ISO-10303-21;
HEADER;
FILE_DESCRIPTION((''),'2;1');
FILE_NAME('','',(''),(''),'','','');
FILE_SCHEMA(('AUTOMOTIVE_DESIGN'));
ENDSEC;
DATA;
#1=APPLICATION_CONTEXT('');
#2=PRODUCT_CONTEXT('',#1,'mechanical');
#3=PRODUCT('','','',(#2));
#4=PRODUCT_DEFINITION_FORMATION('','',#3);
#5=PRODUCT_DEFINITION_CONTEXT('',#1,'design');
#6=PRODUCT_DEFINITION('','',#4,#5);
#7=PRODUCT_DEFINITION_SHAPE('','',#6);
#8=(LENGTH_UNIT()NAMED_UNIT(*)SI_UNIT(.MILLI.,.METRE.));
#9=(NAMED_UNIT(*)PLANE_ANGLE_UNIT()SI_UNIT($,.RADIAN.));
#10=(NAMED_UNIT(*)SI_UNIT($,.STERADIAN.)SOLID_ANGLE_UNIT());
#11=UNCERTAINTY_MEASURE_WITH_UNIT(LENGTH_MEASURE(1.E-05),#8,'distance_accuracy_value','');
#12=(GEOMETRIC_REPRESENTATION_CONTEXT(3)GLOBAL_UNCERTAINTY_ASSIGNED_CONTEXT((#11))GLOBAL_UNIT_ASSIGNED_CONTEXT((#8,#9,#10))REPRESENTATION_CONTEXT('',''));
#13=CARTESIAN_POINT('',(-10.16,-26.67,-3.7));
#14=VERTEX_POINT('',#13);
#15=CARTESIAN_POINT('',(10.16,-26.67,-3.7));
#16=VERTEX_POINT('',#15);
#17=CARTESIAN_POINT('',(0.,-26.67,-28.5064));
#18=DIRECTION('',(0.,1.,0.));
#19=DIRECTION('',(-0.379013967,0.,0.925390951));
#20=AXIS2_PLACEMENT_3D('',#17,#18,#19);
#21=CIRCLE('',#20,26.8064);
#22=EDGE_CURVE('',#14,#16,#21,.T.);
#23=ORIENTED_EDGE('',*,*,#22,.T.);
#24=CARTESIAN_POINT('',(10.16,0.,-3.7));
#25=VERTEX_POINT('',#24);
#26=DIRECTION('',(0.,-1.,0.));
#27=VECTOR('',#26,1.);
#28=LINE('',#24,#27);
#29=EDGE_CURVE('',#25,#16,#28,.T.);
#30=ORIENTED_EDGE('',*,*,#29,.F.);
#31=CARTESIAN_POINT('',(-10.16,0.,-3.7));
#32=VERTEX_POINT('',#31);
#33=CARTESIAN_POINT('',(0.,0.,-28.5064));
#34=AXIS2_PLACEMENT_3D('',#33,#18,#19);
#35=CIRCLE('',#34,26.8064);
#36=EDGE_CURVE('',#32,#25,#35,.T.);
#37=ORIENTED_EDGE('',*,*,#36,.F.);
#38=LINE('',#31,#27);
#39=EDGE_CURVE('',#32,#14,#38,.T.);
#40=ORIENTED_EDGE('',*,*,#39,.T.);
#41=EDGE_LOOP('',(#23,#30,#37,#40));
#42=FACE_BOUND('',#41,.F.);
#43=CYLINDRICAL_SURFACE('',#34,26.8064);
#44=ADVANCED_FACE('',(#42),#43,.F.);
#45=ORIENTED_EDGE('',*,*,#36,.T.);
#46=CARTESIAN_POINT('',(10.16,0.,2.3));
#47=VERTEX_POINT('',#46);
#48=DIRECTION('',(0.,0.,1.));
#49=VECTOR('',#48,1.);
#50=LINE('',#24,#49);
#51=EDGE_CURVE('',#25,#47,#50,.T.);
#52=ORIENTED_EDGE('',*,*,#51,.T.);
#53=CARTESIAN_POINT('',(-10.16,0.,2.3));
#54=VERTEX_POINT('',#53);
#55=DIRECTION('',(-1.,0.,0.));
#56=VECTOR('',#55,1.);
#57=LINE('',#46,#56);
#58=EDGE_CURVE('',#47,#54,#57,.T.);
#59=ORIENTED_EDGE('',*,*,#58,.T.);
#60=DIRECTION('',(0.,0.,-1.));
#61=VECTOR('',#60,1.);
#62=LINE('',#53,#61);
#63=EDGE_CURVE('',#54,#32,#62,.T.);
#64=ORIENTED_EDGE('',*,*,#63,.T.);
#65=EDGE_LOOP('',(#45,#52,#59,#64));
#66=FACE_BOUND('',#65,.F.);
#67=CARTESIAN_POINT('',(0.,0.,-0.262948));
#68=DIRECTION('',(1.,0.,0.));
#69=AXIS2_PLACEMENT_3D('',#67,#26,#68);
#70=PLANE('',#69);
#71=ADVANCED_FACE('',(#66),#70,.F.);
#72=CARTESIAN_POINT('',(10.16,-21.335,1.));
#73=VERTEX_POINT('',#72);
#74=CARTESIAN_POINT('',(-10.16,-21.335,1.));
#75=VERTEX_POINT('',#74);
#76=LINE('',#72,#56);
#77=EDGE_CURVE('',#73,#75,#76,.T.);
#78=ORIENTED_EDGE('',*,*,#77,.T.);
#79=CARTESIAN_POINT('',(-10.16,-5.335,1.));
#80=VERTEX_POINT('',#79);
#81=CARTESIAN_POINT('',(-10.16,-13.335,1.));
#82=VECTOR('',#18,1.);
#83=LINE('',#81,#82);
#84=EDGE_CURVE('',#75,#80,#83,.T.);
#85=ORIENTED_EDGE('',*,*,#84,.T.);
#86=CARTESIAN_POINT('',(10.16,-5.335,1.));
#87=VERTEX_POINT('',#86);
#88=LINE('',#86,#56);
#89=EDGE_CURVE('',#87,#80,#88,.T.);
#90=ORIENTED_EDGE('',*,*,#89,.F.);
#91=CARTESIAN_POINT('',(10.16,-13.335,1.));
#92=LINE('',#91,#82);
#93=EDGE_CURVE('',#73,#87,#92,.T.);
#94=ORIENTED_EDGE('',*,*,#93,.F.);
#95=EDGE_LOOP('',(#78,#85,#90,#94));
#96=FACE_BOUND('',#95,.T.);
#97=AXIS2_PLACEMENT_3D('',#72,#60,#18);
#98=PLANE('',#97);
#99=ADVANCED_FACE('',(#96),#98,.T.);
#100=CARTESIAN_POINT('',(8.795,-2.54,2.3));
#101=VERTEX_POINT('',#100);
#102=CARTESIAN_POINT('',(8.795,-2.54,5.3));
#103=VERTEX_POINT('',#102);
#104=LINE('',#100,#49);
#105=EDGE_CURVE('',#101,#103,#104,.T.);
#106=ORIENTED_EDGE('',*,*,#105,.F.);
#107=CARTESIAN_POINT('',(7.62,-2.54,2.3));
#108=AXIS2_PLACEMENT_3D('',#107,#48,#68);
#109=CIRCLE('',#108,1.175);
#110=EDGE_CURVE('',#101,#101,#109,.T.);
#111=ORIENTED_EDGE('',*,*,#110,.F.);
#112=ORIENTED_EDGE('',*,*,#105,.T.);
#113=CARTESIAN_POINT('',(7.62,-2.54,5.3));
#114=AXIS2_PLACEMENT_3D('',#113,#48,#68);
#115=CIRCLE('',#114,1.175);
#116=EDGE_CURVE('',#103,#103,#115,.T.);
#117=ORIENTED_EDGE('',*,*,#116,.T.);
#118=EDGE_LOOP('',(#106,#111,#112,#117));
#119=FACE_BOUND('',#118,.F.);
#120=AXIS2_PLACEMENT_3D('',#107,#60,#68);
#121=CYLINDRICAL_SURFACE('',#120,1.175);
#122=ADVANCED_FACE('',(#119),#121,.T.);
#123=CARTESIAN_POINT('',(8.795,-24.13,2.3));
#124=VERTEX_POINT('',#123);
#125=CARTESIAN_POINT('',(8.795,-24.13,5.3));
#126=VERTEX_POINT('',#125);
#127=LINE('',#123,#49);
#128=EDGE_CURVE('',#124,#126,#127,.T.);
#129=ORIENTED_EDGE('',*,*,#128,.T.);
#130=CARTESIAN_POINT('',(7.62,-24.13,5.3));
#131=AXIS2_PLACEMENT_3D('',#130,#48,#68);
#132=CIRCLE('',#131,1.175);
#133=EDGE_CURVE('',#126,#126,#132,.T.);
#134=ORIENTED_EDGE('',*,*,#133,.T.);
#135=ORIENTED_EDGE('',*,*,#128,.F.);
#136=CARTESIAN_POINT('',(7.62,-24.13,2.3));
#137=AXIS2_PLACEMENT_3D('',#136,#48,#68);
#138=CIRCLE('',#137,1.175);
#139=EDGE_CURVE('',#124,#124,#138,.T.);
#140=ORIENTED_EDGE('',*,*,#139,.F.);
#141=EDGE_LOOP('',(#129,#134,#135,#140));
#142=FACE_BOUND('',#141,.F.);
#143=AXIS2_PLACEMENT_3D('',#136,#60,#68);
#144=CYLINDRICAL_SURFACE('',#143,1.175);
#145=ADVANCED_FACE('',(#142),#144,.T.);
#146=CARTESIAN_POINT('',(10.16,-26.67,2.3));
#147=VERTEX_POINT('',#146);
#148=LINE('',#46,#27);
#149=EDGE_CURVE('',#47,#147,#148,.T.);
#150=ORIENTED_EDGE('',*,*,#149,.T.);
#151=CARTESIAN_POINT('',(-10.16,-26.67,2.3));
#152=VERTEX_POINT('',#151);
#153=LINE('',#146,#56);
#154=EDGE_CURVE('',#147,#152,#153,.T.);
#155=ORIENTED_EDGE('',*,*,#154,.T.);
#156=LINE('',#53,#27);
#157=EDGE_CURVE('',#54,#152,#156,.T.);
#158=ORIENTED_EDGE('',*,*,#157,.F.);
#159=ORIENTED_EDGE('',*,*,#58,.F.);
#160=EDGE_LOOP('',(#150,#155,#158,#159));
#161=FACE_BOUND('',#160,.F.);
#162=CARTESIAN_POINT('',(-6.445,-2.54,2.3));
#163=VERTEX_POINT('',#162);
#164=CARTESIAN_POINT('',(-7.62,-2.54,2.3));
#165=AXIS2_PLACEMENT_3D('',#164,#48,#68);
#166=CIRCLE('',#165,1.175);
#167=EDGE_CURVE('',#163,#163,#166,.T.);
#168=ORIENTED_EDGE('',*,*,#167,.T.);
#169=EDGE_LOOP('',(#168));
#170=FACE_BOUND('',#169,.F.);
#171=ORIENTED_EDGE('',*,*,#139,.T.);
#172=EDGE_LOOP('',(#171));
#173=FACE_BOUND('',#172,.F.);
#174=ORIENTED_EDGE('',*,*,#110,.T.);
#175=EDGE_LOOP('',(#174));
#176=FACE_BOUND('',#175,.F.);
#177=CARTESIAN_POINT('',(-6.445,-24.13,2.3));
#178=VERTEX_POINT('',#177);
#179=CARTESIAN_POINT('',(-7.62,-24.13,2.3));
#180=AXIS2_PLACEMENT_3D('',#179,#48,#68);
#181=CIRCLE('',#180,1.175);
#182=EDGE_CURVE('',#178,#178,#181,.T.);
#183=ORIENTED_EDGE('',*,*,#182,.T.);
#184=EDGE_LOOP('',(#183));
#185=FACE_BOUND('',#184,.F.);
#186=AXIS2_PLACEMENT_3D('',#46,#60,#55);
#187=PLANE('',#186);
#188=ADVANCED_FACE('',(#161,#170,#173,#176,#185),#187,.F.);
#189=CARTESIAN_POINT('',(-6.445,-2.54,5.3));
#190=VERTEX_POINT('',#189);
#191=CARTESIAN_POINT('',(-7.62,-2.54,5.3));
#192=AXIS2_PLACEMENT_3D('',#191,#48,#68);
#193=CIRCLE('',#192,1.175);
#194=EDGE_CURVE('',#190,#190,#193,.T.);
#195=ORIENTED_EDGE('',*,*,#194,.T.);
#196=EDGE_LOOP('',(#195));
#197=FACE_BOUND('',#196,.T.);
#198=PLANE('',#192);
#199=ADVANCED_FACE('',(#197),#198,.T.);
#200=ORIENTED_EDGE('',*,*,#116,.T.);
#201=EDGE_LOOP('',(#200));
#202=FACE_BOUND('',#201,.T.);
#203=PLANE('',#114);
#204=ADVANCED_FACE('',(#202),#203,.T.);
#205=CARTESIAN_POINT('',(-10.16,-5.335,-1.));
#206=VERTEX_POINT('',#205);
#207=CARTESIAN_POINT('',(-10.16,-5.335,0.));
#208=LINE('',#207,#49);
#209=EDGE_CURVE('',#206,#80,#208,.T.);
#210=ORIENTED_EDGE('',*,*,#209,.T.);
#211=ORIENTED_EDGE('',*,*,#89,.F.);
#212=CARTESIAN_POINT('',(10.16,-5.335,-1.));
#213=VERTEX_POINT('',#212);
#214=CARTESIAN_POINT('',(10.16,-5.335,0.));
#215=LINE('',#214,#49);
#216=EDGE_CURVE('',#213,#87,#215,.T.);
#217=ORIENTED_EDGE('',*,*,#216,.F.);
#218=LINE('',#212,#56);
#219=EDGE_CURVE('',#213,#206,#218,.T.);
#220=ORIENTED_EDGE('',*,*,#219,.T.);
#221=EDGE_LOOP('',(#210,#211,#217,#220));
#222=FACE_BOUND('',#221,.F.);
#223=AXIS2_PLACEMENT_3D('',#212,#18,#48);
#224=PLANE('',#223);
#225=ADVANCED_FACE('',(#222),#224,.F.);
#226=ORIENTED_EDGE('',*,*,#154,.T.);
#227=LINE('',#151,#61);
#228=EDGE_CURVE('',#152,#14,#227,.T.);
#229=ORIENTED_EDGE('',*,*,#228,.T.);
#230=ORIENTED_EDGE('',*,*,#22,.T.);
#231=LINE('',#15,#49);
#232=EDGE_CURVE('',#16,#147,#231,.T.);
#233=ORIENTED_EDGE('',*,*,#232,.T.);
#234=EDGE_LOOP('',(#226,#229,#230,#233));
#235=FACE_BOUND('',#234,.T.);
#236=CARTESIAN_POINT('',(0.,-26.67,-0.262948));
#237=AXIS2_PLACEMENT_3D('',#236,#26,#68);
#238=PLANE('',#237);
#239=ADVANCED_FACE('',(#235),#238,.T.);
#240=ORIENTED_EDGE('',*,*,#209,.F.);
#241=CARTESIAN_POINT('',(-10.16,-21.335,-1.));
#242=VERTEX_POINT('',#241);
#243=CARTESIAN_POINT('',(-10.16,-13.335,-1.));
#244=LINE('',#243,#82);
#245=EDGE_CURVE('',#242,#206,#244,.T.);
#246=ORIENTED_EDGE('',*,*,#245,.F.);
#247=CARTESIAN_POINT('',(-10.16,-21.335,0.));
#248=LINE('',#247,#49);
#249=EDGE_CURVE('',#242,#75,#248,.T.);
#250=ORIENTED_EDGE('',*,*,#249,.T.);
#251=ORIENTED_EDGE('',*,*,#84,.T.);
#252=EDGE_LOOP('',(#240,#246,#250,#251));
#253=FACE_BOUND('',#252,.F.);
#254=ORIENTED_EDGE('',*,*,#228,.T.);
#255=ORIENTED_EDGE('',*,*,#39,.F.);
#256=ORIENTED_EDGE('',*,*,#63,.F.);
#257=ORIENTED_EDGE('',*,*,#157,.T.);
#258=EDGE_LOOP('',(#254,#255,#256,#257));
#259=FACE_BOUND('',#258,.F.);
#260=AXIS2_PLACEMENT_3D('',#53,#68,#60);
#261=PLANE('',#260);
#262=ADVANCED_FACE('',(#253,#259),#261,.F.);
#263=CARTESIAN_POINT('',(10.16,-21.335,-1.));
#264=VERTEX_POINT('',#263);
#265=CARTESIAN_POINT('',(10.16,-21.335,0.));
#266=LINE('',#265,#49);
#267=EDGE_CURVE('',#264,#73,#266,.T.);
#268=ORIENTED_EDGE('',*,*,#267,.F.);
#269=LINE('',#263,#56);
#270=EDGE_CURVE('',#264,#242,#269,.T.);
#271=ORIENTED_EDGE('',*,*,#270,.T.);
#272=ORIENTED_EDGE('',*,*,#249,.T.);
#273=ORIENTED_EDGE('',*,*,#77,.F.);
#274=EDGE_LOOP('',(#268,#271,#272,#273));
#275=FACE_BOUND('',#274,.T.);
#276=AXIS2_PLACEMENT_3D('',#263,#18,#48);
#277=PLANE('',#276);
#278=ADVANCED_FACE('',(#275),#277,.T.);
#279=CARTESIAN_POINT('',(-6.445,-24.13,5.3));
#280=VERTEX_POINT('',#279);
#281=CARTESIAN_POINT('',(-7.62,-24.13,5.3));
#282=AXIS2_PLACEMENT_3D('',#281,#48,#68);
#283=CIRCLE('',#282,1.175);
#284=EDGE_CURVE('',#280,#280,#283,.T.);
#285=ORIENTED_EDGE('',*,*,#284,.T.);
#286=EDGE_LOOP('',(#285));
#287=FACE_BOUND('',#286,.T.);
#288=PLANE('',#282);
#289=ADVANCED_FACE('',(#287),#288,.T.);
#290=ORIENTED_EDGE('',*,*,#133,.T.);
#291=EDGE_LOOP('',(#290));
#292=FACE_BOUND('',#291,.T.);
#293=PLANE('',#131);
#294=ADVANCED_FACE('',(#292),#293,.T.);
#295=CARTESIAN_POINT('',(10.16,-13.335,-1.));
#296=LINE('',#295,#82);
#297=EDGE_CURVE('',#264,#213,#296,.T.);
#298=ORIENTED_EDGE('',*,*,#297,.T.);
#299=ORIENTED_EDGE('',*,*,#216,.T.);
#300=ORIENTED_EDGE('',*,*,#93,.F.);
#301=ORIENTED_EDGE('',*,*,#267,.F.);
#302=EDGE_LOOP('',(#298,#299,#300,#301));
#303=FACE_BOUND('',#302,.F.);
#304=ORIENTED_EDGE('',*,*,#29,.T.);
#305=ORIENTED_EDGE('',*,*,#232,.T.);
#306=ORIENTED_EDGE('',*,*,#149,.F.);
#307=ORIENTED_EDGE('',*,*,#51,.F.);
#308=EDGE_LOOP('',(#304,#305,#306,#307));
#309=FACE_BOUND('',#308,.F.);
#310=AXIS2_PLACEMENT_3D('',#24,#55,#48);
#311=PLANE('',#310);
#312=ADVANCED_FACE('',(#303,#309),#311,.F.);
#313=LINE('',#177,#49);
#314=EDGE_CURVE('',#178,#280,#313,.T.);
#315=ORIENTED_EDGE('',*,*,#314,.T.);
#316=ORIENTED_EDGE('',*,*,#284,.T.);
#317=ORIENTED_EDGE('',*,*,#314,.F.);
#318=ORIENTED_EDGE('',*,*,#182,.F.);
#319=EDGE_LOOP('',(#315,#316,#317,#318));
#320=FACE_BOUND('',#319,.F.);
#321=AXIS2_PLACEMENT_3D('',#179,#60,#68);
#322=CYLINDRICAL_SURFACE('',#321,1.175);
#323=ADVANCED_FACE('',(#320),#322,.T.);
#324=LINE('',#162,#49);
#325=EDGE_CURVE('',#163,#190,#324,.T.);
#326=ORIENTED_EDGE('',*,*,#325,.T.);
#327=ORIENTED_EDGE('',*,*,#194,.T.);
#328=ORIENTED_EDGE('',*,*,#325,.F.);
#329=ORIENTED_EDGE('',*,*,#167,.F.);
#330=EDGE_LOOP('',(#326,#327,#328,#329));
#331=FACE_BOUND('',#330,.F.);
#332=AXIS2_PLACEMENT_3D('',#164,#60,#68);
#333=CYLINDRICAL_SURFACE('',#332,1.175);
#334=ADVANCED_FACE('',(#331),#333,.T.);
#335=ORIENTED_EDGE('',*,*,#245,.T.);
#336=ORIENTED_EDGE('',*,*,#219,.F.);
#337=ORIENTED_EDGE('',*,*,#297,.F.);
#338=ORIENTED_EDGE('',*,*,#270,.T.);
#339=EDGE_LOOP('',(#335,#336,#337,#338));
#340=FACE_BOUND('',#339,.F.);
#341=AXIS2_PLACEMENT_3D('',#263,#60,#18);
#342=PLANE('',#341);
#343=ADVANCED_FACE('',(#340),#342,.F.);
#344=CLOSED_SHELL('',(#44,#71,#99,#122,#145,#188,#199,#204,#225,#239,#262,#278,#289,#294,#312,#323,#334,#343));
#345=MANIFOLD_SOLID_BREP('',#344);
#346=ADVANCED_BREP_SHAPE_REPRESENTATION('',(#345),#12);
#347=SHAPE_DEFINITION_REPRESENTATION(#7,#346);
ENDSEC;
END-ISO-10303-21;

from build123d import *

# Parameters (mm, degrees)
F1_DEPTH = 26.67
F2_W     = 16
F2_H     = 2
F3_DEPTH = 20.32
F4_R     = 1.175
F5_DEPTH = 3


with BuildPart() as f1:
    # F0 (on Front) → F1 (new body)
    with BuildSketch(Plane.XZ):
        with BuildLine():
            ThreePointArc((-10.16, -3.7), (0, -1.7), (10.16, -3.7))
            Line((10.16, -3.7), (10.16, 2.3))
            Line((10.16, 2.3), (-10.16, 2.3))
            Line((-10.16, 2.3), (-10.16, -3.7))
        make_face()
    extrude(amount=F1_DEPTH)

    # F2 (on face) → F3 (cut, through all)
    with BuildSketch(Plane.YZ.offset(10.16)):
        with Locations((-13.335, 0)):
            Rectangle(F2_W, F2_H)
    extrude(amount=-F3_DEPTH, mode=Mode.SUBTRACT)

    # F4 (on face) → F5 (join)
    with BuildSketch(Plane.XY.offset(2.3)):
        with Locations((7.62, -2.54)):
            Circle(F4_R)
        with Locations((7.62, -24.13)):
            Circle(F4_R)
        with Locations((-7.62, -2.54)):
            Circle(F4_R)
        with Locations((-7.62, -24.13)):
            Circle(F4_R)
    extrude(amount=F5_DEPTH)


solid = f1.part
